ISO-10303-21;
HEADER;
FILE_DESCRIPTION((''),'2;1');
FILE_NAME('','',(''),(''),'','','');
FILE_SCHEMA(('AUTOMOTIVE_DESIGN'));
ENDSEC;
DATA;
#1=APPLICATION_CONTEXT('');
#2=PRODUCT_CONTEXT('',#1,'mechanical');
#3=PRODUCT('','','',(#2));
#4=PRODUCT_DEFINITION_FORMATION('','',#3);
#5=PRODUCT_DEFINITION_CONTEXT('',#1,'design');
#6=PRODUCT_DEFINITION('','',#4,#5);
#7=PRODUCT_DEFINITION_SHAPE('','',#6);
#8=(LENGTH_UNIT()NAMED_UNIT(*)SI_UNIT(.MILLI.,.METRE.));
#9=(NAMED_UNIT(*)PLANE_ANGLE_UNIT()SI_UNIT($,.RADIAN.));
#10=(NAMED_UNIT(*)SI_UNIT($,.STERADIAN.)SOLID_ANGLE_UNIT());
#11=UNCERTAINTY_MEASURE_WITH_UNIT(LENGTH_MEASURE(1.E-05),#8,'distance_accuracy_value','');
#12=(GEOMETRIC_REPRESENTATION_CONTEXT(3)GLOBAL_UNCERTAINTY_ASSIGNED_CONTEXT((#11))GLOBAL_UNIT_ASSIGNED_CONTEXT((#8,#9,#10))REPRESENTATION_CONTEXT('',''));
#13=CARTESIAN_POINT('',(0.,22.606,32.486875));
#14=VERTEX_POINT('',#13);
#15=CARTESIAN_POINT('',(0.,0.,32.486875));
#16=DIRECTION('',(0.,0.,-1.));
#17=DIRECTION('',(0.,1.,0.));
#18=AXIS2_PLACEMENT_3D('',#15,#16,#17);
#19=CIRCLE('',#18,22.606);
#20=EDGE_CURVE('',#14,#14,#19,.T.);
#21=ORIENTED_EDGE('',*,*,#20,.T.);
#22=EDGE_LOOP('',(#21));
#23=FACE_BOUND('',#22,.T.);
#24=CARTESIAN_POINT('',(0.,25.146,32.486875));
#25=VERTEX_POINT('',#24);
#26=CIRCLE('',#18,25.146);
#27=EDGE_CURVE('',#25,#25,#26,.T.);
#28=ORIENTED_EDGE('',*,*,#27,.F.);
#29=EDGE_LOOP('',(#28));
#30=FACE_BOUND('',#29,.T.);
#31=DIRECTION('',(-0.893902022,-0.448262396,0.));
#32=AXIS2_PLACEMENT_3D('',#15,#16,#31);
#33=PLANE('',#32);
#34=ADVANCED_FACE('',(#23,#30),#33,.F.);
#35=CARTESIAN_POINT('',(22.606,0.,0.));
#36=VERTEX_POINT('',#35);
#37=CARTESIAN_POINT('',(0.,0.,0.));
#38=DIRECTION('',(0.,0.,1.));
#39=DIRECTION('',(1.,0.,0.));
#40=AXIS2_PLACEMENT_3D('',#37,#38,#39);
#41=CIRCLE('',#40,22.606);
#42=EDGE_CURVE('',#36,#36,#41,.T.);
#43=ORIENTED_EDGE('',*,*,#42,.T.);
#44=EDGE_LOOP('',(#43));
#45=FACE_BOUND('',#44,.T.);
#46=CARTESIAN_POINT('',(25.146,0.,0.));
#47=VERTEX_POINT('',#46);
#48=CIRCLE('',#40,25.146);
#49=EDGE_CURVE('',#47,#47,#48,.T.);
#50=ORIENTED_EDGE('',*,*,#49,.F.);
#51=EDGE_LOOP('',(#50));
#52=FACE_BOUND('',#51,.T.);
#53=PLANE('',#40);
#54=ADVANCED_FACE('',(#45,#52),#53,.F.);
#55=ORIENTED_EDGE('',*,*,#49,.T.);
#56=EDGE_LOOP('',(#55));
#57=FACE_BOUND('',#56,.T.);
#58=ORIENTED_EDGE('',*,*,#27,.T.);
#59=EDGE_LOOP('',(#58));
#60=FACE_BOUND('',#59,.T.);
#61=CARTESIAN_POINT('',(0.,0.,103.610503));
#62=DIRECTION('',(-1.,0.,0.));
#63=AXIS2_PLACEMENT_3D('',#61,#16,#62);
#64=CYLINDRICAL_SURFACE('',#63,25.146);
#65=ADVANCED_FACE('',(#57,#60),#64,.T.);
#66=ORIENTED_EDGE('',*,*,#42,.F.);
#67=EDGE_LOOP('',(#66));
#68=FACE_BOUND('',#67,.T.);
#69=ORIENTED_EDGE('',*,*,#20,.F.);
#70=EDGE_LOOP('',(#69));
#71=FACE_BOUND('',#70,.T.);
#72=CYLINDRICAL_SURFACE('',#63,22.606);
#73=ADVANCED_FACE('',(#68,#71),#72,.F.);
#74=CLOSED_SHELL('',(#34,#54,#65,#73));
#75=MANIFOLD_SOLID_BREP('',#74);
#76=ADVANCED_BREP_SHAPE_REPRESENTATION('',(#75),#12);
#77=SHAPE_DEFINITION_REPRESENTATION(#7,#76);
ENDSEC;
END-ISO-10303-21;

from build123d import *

# Parameters (mm, degrees)
SKETCH1_R           = 25.146
SKETCH1_R_2         = 22.606
BOSS_EXTRUDE1_DEPTH = 32.486875


with BuildPart() as part:
    # Sketch1 → Boss-Extrude1 (new body)
    with BuildSketch(Plane.XY):
        with Locations(Location((0, 0, 0), (0, 0, 90))):
            Circle(SKETCH1_R)
        with Locations(Location((0, 0, 0), (0, 0, 90))):
            Circle(SKETCH1_R_2, mode=Mode.SUBTRACT)
    extrude(amount=BOSS_EXTRUDE1_DEPTH)


solid = part.part
